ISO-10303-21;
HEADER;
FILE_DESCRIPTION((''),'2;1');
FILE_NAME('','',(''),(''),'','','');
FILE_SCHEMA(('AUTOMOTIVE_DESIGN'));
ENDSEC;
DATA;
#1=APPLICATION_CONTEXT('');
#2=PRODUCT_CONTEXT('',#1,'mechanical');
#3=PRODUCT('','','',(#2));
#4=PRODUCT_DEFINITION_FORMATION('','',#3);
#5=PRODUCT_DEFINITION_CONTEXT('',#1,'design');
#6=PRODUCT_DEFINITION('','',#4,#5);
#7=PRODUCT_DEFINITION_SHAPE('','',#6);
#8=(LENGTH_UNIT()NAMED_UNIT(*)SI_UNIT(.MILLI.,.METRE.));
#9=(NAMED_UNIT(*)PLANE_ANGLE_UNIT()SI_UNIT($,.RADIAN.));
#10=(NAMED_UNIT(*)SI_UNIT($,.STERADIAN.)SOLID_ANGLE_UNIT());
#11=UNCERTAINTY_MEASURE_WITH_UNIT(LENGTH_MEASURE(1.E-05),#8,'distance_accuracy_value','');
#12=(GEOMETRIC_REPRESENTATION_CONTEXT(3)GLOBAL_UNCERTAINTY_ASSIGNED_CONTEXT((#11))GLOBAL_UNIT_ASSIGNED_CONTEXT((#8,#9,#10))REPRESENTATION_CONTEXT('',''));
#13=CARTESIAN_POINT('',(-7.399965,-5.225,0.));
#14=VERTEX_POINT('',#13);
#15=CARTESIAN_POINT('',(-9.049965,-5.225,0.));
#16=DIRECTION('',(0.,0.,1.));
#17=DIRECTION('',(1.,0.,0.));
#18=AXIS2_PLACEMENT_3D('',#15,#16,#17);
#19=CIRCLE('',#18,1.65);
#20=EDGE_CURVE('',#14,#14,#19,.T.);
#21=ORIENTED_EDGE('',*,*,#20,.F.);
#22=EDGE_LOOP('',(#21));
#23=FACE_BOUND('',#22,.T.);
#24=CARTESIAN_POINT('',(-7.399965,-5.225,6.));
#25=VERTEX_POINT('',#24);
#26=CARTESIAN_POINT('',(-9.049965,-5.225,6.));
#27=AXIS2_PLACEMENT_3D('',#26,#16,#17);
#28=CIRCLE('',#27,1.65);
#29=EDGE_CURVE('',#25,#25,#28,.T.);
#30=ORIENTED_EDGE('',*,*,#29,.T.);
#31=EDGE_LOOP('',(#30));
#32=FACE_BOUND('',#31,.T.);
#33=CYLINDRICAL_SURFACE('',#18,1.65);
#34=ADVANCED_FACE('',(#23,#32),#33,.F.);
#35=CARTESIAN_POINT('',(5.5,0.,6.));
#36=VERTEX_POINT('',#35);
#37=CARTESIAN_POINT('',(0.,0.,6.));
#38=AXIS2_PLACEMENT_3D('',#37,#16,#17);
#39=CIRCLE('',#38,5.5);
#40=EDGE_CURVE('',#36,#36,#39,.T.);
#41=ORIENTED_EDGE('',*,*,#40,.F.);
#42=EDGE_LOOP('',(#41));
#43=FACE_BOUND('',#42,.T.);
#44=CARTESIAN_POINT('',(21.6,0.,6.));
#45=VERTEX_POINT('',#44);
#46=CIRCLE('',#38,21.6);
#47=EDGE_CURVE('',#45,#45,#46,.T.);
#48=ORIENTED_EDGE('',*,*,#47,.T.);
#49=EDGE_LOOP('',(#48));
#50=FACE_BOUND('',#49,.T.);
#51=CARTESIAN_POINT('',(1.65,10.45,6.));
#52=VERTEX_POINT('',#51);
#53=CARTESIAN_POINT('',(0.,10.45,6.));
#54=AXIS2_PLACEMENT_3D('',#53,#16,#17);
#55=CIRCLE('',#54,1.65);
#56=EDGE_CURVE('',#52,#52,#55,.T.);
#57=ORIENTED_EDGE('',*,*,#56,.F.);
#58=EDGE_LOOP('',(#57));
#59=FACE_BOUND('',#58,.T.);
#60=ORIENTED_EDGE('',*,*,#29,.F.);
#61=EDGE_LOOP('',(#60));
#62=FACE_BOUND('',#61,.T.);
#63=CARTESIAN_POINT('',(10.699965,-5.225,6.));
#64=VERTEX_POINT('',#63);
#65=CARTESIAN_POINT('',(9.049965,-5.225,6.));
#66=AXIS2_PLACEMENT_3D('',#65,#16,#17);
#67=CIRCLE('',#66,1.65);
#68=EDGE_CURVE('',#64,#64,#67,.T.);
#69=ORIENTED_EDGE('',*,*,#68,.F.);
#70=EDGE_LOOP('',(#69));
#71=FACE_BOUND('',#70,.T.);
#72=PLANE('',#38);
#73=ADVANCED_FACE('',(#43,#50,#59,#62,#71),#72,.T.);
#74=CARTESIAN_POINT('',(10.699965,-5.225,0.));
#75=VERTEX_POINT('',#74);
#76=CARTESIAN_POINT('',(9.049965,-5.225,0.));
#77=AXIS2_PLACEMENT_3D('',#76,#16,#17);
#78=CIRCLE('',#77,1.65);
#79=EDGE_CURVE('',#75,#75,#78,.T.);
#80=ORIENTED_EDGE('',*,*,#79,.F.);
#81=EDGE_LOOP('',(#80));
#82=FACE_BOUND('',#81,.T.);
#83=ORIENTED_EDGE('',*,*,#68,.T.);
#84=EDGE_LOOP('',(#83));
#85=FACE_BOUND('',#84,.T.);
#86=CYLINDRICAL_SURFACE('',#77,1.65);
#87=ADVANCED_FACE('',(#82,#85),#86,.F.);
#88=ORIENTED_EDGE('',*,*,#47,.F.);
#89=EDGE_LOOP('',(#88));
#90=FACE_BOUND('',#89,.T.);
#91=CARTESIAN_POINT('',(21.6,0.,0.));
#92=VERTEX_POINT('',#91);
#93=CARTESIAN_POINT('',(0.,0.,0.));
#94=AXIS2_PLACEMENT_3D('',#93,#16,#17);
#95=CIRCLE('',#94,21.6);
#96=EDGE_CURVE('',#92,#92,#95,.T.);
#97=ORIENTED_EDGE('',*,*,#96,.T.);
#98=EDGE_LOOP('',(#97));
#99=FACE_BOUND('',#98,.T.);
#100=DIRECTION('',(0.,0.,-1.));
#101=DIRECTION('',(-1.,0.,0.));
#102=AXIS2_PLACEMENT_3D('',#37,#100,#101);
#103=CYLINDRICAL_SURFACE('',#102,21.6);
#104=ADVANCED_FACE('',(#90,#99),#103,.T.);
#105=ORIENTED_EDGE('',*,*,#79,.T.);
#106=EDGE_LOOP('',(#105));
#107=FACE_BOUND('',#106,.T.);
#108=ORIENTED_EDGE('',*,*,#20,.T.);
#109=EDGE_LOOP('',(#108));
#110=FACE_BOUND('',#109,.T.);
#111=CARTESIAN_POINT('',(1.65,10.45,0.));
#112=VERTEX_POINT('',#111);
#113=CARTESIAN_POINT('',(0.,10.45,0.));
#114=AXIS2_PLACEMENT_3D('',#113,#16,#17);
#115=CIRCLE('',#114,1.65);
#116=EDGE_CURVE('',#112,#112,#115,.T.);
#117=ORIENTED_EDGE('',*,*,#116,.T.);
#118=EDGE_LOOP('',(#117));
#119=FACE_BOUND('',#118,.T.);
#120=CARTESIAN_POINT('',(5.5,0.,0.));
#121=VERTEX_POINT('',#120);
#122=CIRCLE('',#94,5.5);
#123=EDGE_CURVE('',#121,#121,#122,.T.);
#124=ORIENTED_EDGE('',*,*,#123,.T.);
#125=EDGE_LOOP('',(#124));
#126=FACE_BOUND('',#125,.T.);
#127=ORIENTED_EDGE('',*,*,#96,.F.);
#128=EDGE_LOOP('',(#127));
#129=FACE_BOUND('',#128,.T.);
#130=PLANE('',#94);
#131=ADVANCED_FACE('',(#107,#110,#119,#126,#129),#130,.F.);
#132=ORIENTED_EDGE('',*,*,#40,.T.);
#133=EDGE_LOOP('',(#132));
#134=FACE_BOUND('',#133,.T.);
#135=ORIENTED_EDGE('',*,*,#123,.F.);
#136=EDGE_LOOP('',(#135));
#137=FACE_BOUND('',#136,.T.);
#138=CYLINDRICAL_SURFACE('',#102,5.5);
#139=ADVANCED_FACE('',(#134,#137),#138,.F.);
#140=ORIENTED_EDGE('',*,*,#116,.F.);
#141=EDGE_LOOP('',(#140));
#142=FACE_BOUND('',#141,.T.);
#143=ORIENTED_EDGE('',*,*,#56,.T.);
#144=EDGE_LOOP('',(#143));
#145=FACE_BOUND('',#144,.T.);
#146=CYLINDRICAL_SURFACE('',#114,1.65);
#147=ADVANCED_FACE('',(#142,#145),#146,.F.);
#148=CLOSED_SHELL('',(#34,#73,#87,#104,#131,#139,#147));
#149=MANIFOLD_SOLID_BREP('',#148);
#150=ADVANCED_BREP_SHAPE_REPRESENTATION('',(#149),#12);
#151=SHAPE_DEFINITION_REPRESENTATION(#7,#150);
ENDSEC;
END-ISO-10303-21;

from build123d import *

# Parameters (mm, degrees)
SKETCH1_R           = 21.6
SKETCH1_R_2         = 5.5
BOSS_EXTRUDE1_DEPTH = 6
SKETCH2_R           = 1.65
CUT_EXTRUDE1_DEPTH  = 7


with BuildPart() as part:
    # Sketch1 → Boss-Extrude1 (new body)
    with BuildSketch(Plane.XY):
        Circle(SKETCH1_R)
        Circle(SKETCH1_R_2, mode=Mode.SUBTRACT)
    extrude(amount=BOSS_EXTRUDE1_DEPTH)

    # Sketch2 → Cut-Extrude1 (cut, through all)
    with BuildSketch(Plane.XY.offset(6)):
        with Locations((0, 10.45)):
            Circle(SKETCH2_R)
        with Locations((9.04996547, -5.225)):
            Circle(SKETCH2_R)
        with Locations((-9.04996547, -5.225)):
            Circle(SKETCH2_R)
    extrude(amount=-CUT_EXTRUDE1_DEPTH, mode=Mode.SUBTRACT)


solid = part.part
